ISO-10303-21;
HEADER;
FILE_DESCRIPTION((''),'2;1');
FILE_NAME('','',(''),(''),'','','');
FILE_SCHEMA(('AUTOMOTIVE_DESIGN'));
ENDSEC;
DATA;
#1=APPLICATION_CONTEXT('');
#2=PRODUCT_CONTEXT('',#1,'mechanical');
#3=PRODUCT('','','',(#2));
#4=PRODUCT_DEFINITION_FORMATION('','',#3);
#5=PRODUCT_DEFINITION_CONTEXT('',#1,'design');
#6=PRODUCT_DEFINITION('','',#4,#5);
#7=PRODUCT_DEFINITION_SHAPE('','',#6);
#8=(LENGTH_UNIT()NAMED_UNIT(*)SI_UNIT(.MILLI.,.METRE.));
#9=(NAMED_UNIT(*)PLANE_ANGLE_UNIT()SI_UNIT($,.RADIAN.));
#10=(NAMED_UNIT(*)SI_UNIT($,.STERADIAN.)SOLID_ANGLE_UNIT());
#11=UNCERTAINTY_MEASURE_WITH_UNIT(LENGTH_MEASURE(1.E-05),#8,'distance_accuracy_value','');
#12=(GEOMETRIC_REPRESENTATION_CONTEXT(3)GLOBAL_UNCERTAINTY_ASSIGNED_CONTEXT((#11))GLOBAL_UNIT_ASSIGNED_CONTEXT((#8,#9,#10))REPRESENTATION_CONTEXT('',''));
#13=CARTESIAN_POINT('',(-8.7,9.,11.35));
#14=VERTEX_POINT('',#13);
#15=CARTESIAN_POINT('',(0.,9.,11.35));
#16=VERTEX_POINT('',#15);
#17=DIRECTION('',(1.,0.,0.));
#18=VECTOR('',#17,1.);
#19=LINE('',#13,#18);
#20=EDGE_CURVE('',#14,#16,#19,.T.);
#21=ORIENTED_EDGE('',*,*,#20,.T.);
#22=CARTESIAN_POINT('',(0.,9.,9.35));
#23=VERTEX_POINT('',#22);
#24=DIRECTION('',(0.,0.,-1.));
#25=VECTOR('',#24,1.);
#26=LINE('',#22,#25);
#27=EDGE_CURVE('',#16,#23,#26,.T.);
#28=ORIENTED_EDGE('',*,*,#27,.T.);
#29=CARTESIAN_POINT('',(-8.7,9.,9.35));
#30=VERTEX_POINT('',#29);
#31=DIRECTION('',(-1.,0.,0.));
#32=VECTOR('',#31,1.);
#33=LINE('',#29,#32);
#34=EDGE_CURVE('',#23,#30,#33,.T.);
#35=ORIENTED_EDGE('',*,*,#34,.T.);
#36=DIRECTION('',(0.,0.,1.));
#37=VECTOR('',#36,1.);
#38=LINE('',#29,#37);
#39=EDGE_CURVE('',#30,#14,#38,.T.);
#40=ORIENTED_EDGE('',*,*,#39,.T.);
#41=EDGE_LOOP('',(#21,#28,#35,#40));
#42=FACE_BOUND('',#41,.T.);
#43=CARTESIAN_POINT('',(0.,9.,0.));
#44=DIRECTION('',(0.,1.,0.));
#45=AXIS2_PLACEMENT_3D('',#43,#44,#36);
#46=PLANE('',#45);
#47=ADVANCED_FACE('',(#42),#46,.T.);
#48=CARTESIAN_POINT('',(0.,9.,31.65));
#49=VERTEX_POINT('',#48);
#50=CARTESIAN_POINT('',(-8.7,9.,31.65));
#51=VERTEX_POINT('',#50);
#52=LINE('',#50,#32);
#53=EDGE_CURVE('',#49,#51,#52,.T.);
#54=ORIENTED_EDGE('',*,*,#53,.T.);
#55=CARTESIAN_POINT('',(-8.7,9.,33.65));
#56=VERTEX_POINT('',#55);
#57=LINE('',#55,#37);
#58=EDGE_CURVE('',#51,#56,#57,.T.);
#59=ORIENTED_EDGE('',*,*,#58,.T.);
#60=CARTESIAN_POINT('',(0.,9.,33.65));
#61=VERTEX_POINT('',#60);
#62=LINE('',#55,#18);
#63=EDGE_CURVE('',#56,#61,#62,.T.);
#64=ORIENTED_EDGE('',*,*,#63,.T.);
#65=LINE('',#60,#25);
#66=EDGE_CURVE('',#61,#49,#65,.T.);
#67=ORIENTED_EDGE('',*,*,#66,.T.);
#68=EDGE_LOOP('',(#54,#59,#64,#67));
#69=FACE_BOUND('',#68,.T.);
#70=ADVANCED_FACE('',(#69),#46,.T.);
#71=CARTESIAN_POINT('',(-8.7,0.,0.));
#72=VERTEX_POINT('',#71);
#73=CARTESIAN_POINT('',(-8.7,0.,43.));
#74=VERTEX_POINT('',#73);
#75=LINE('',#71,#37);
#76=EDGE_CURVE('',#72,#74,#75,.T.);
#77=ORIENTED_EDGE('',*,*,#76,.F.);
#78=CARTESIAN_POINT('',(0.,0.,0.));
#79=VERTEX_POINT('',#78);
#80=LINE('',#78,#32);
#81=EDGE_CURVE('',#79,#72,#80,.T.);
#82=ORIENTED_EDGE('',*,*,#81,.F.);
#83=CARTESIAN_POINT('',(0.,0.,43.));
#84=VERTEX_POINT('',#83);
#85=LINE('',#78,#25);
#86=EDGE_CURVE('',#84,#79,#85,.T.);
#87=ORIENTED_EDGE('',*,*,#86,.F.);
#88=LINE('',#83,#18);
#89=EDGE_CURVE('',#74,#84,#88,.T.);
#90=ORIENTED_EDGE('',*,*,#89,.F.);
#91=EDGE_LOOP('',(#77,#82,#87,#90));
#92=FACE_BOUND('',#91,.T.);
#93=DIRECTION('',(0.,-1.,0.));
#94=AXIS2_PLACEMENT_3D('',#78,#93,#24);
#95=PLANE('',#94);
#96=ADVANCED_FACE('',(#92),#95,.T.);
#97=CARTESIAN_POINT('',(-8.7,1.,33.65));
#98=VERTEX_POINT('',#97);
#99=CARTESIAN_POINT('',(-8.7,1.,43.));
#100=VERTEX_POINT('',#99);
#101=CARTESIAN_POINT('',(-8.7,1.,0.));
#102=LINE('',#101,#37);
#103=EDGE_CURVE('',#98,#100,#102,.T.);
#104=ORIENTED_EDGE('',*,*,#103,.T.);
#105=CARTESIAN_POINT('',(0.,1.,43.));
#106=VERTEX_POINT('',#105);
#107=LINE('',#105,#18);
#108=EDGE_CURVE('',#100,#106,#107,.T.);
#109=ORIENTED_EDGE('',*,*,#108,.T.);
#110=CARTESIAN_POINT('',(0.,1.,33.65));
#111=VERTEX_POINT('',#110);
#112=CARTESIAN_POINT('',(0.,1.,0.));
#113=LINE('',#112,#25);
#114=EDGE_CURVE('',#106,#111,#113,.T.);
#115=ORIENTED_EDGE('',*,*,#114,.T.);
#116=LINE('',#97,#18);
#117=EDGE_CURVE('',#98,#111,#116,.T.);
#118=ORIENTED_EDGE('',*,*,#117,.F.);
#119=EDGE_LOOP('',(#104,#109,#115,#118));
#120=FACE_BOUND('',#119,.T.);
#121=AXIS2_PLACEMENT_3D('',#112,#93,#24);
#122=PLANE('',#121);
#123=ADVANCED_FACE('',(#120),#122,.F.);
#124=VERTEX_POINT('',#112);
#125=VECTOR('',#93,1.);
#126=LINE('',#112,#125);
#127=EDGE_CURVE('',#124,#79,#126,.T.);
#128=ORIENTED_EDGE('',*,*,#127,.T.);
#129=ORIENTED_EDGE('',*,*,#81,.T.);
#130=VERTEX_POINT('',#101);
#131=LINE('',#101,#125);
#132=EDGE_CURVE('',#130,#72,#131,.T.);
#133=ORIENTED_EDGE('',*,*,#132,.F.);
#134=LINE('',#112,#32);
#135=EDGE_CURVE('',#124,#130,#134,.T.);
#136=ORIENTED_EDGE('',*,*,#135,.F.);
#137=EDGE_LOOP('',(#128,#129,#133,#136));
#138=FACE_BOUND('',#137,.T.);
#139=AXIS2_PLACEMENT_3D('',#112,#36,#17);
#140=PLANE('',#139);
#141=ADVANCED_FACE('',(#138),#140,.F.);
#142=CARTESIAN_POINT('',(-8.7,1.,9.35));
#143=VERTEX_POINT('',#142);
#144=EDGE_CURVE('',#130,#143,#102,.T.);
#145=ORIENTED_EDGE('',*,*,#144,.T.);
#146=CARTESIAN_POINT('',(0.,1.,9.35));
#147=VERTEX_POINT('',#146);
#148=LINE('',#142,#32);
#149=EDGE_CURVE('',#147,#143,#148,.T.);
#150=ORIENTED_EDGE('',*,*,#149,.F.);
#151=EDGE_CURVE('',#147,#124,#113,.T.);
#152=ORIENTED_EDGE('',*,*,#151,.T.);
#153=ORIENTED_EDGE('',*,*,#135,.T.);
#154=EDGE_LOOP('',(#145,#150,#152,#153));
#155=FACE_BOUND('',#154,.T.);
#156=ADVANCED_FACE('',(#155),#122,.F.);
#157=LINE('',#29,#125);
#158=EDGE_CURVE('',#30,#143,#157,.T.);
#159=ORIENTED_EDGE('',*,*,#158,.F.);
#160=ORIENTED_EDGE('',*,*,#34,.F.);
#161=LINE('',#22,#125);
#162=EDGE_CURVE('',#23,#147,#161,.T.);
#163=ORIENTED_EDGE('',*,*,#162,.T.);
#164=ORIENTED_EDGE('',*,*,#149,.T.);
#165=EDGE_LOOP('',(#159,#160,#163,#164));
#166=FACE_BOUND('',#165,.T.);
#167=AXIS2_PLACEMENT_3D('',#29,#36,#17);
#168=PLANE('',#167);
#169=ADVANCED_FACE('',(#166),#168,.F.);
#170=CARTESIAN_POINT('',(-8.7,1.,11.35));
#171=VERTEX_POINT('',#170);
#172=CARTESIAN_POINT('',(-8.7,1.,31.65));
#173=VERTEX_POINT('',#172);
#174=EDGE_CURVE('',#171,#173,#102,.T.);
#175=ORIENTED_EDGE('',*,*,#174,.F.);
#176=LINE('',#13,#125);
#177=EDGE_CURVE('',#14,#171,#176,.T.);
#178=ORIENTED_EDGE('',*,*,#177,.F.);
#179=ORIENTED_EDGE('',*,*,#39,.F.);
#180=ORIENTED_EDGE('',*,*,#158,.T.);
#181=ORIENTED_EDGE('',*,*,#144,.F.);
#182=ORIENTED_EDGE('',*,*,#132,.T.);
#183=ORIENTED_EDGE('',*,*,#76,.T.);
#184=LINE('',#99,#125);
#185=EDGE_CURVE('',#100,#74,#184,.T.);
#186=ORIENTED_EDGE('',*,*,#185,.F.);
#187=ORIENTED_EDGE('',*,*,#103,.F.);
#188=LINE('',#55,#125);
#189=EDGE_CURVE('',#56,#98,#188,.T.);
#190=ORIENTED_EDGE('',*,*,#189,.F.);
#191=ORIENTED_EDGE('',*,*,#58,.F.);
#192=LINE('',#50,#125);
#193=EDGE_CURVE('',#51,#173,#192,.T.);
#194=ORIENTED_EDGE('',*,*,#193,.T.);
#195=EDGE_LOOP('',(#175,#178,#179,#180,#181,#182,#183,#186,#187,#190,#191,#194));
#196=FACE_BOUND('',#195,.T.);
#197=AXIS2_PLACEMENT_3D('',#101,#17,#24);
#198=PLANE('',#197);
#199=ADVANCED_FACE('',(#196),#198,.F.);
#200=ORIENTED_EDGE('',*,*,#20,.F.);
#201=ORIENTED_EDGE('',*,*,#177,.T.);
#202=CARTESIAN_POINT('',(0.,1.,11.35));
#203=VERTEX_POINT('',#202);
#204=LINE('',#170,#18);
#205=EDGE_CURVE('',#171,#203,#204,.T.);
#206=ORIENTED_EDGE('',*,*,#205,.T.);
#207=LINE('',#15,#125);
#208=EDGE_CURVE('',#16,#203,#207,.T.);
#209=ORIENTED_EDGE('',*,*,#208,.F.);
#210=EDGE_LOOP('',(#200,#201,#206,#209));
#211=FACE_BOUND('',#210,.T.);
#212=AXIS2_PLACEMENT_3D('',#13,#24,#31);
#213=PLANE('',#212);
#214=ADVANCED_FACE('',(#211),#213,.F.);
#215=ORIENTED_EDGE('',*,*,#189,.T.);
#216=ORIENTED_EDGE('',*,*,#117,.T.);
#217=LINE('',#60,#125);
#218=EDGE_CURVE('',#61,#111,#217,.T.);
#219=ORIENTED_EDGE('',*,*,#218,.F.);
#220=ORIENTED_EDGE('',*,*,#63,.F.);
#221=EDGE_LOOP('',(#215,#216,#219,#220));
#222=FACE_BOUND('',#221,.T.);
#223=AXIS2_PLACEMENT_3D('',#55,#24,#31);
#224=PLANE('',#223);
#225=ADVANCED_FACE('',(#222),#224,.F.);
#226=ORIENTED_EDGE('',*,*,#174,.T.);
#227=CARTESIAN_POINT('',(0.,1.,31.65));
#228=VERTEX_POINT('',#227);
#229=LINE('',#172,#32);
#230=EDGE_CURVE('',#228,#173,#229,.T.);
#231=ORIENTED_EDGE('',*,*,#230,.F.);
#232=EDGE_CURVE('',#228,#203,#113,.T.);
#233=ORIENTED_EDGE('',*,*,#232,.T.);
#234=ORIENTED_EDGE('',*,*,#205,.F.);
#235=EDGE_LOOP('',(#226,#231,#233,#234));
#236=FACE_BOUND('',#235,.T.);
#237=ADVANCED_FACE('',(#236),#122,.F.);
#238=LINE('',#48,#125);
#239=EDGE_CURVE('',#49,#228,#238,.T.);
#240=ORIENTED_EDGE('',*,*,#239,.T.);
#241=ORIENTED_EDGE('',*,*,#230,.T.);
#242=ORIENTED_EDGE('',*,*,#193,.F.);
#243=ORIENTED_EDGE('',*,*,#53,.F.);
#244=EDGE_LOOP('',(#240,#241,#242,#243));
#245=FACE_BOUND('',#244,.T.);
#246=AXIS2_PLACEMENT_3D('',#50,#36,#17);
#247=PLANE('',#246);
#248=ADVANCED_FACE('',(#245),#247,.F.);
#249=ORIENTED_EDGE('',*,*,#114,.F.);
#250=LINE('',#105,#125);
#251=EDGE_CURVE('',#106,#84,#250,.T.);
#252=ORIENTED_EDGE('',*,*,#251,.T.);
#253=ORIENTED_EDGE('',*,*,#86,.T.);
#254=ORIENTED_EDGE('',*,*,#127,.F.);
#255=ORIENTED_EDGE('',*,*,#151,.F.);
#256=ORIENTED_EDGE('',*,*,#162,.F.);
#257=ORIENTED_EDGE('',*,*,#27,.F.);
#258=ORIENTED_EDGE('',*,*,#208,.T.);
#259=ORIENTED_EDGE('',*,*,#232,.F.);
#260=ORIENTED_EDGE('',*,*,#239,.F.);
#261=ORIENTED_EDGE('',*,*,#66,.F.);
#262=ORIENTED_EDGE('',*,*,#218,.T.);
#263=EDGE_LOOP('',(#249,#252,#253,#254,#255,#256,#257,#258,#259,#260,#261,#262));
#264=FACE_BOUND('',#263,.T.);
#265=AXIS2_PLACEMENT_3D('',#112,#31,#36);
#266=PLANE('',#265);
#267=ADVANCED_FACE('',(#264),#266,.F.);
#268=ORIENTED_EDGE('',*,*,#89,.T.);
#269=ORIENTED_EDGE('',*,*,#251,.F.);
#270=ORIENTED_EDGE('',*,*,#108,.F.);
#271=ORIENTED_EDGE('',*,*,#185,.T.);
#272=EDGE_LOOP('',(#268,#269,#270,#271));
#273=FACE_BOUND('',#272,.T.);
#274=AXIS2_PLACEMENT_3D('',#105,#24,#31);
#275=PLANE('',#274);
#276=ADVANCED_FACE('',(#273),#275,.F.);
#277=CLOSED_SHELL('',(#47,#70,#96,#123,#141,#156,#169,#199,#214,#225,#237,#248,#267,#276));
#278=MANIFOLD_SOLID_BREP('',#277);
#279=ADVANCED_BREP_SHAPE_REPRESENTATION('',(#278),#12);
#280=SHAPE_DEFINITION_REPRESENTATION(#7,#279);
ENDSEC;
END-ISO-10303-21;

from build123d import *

# Parameters (mm, degrees)
CROQUIS1_W              = 8.7
CROQUIS1_H              = 43
SALIENTE_EXTRUIR1_DEPTH = 1
CROQUIS2_W              = 8.7
CROQUIS2_H              = 2
SALIENTE_EXTRUIR2_DEPTH = 8


with BuildPart() as part:
    # Croquis1 → Saliente-Extruir1 (new body)
    with BuildSketch(Plane(origin=(0, 0, 0), x_dir=(1, 0, 0), z_dir=(0, 1, 0))):
        with Locations((-4.35, -21.5)):
            Rectangle(CROQUIS1_W, CROQUIS1_H)
    extrude(amount=SALIENTE_EXTRUIR1_DEPTH)

    # Croquis2 → Saliente-Extruir2 (add)
    with BuildSketch(Plane(origin=(0, 1, 0), x_dir=(1, 0, 0), z_dir=(0, 1, 0))):
        with Locations((-4.35, -10.35)):
            Rectangle(CROQUIS2_W, CROQUIS2_H)
        with Locations((-4.35, -32.65)):
            Rectangle(CROQUIS2_W, CROQUIS2_H)
    extrude(amount=SALIENTE_EXTRUIR2_DEPTH)


solid = part.part
